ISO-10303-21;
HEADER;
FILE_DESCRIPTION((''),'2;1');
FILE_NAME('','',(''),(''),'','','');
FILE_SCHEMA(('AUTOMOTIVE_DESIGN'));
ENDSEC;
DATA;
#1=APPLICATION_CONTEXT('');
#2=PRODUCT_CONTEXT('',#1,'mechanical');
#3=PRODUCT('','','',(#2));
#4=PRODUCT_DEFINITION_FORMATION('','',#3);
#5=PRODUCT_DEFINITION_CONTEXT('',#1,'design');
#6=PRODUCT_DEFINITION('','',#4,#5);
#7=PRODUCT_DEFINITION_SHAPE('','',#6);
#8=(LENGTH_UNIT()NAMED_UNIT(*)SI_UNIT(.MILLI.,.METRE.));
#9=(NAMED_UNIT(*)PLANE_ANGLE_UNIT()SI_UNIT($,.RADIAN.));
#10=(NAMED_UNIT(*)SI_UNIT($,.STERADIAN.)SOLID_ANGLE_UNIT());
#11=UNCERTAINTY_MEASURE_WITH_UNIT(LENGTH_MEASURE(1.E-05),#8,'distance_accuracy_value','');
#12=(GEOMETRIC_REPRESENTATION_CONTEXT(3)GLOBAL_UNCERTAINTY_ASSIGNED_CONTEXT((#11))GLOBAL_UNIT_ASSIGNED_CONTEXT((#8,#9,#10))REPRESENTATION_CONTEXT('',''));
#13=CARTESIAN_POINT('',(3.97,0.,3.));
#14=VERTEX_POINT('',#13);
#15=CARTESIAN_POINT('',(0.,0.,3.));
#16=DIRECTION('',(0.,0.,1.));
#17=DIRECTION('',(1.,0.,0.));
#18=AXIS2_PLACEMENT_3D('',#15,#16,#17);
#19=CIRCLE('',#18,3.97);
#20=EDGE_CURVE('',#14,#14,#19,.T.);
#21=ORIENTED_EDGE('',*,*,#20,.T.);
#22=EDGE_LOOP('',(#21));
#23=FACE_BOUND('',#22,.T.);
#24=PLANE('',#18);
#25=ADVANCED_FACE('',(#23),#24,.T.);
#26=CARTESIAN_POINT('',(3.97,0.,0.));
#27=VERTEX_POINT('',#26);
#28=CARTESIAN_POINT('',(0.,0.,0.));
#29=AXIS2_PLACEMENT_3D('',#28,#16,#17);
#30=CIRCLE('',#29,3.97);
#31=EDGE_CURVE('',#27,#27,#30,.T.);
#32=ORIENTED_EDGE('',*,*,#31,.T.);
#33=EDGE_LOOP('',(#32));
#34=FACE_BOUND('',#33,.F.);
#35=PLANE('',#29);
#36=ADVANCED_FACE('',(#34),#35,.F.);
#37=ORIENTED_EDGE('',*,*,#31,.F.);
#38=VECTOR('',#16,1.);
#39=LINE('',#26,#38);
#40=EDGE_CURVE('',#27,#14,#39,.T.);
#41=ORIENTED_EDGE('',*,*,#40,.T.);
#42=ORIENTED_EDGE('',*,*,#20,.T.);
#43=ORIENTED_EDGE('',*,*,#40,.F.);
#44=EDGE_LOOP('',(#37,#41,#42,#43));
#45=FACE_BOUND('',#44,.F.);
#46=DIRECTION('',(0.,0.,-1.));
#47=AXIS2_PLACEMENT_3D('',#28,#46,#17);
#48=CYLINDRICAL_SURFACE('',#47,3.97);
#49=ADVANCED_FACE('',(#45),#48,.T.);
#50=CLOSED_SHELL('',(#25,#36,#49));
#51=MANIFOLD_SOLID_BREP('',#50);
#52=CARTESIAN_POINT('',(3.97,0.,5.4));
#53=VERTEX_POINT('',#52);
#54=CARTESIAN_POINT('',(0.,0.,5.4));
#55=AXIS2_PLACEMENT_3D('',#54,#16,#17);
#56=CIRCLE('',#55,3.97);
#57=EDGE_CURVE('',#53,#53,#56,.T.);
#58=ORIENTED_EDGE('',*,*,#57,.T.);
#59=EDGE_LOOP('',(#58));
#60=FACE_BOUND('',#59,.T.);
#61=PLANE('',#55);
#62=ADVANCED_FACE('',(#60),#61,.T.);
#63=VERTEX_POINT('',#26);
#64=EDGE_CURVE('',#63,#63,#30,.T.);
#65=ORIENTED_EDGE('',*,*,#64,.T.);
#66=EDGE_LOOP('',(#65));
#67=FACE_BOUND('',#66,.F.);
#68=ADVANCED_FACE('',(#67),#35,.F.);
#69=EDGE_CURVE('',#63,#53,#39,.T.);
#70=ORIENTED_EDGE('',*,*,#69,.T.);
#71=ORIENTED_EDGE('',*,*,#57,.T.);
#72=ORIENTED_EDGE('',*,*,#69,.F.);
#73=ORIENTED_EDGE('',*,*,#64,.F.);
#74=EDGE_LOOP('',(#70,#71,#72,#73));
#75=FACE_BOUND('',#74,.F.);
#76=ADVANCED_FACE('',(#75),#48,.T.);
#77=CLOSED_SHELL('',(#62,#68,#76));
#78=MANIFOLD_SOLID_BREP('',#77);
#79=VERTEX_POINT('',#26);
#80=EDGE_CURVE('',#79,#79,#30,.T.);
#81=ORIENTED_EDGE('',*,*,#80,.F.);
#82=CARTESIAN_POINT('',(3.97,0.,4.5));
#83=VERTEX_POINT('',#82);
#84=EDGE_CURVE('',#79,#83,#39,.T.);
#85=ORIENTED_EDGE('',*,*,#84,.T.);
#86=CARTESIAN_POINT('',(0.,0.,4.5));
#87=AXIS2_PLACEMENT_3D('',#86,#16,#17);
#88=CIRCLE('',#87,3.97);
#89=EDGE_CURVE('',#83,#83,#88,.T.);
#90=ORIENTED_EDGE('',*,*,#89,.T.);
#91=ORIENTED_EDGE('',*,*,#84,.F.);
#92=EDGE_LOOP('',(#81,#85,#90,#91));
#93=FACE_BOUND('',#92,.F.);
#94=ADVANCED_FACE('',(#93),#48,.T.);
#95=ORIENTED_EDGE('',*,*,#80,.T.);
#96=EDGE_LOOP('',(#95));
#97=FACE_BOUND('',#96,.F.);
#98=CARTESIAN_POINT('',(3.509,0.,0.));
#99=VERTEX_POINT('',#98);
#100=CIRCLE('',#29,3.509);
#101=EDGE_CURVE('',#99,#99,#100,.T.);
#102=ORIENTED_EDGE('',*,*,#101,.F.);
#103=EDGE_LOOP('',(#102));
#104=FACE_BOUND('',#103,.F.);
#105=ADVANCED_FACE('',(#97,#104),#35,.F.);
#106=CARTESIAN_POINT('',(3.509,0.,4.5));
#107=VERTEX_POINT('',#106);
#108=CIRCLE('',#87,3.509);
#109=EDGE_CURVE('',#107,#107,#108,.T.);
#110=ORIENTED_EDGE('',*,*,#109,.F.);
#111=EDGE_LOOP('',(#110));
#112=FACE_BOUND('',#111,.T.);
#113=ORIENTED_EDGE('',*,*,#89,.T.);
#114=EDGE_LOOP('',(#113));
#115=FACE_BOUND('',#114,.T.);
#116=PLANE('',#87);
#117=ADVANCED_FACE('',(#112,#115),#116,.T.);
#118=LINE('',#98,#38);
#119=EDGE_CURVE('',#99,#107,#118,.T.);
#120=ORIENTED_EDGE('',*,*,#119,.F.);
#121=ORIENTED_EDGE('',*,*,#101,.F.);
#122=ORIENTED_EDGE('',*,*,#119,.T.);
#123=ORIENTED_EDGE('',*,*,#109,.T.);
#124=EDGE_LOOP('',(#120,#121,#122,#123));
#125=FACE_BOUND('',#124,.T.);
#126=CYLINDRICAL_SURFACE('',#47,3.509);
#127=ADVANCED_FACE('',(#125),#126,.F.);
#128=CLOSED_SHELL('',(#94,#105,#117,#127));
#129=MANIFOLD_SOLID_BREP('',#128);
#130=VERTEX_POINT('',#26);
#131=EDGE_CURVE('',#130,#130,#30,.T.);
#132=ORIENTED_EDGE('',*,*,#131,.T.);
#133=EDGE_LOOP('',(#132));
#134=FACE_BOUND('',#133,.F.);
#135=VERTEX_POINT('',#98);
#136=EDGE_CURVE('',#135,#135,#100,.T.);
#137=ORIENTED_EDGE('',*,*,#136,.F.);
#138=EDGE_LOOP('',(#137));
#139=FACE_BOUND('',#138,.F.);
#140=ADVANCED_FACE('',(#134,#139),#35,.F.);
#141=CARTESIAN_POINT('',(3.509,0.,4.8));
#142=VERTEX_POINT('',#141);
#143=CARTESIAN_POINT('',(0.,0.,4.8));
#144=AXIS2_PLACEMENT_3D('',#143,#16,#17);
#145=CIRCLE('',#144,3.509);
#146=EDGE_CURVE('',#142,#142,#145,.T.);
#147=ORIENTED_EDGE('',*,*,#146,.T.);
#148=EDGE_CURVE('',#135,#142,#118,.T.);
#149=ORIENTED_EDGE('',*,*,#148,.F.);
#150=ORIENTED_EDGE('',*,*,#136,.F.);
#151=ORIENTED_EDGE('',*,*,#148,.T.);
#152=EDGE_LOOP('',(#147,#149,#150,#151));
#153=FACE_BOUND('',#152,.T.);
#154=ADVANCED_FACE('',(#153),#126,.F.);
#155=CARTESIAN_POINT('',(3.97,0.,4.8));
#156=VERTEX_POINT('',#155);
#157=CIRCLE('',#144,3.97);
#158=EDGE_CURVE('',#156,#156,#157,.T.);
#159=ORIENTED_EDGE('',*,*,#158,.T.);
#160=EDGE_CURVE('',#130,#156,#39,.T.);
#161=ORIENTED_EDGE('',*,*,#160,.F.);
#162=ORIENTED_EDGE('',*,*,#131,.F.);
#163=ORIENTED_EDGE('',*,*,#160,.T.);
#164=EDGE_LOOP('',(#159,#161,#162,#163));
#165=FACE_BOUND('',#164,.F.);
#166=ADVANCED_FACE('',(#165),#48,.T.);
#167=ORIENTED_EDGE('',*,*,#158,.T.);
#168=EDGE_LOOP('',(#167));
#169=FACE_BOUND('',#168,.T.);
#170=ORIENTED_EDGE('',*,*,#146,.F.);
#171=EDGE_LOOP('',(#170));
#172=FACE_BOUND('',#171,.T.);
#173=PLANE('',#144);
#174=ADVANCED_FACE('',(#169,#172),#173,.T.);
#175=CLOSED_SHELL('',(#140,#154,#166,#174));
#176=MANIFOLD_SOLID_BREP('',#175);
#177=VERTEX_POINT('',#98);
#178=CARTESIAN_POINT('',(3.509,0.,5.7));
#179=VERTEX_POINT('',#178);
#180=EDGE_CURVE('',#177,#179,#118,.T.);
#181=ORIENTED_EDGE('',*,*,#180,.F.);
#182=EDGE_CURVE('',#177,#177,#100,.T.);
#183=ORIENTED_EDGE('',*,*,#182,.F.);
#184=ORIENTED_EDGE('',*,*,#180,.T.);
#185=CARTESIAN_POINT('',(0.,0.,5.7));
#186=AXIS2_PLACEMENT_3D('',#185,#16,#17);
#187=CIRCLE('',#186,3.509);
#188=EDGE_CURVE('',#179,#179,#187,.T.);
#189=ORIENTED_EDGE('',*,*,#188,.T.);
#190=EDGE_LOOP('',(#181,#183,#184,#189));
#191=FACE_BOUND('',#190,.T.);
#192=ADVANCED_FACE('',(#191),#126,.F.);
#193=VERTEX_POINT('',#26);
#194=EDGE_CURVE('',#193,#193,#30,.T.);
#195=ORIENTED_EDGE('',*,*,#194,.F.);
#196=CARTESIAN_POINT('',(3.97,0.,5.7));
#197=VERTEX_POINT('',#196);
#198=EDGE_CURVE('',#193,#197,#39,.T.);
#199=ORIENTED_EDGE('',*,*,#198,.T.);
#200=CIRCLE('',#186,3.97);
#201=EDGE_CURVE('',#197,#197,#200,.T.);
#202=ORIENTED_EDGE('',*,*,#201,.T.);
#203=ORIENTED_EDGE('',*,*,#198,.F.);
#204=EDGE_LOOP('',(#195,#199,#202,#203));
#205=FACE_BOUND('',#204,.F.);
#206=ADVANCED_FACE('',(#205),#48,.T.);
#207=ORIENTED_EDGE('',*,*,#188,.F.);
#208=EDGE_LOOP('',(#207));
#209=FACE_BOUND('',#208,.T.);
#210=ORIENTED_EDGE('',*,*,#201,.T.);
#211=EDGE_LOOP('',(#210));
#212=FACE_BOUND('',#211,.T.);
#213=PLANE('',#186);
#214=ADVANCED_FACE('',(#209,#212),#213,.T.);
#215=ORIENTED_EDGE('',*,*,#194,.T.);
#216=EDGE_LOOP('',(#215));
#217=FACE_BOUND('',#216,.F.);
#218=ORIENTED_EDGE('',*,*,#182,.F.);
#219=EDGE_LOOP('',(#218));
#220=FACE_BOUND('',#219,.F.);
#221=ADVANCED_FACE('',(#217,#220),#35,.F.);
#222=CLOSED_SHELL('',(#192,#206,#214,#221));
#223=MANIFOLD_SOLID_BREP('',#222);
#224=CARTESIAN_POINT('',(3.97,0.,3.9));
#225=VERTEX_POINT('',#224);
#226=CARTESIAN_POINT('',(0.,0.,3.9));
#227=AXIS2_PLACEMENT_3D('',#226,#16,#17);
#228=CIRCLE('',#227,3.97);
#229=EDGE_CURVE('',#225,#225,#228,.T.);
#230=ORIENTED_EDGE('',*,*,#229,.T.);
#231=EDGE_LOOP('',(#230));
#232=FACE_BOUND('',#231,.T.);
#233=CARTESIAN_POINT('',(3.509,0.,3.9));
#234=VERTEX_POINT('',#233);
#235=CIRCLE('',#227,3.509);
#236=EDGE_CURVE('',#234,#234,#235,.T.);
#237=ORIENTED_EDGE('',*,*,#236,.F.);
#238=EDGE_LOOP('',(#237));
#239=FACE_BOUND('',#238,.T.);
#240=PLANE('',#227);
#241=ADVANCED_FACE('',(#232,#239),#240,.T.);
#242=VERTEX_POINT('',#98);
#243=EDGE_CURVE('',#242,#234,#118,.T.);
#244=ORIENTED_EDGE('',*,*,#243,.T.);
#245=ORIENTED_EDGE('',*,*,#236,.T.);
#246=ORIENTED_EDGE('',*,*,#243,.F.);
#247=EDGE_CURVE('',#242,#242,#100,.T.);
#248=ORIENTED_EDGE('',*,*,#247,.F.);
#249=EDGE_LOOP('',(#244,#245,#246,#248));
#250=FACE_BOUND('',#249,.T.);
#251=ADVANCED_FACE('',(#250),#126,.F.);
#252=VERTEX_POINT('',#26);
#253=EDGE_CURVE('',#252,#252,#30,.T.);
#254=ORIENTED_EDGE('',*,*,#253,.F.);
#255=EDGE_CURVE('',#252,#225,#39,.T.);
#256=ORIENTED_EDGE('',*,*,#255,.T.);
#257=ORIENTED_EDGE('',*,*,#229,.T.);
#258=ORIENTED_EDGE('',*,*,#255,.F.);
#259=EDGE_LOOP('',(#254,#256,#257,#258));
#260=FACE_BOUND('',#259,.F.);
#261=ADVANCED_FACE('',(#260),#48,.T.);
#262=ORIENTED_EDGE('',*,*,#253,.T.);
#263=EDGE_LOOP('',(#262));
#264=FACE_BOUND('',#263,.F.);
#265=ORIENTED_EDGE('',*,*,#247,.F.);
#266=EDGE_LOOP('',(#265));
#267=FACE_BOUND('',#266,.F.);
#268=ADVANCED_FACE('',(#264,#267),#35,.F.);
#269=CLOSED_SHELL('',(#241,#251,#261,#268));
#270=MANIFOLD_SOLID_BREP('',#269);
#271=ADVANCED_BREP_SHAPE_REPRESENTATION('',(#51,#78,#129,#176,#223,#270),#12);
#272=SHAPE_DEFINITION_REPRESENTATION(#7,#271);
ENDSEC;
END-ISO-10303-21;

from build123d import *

# Parameters (mm, degrees)
F0_R     = 1.3233333333
F0_R_2   = 1.1696666667
F1_DEPTH = 1.5
F2_DEPTH = 1.6
F3_DEPTH = 1.8
F4_DEPTH = 1.9
F5_DEPTH = 1.3
F6_DEPTH = 1
F7_SCALE = 3


with BuildPart() as f1:
    # F0 (on Top) → F1 (new body)
    with BuildSketch(Plane.XY):
        Circle(F0_R)
        Circle(F0_R_2, mode=Mode.SUBTRACT)
    extrude(amount=F1_DEPTH)


with BuildPart() as f2:
    # F0 (on Top) → F2 (new body)
    with BuildSketch(Plane.XY):
        Circle(F0_R)
        Circle(F0_R_2, mode=Mode.SUBTRACT)
    extrude(amount=F2_DEPTH)


with BuildPart() as f3:
    # F0 (on Top) → F3 (new body)
    with BuildSketch(Plane.XY):
        Circle(F0_R)
        Circle(F0_R_2, mode=Mode.SUBTRACT)
        Circle(F0_R_2)
    extrude(amount=F3_DEPTH)


with BuildPart() as f4:
    # F0 (on Top) → F4 (new body)
    with BuildSketch(Plane.XY):
        Circle(F0_R)
        Circle(F0_R_2, mode=Mode.SUBTRACT)
    extrude(amount=F4_DEPTH)


with BuildPart() as f5:
    # F0 (on Top) → F5 (new body)
    with BuildSketch(Plane.XY):
        Circle(F0_R)
        Circle(F0_R_2, mode=Mode.SUBTRACT)
    extrude(amount=F5_DEPTH)


with BuildPart() as f6:
    # F0 (on Top) → F6 (new body)
    with BuildSketch(Plane.XY):
        Circle(F0_R)
        Circle(F0_R_2, mode=Mode.SUBTRACT)
        Circle(F0_R_2)
    extrude(amount=F6_DEPTH)


with BuildPart() as f1_1:
    # F7: moved
    add(f1.part.scale(F7_SCALE))


with BuildPart() as f2_1:
    # F7: moved
    add(f2.part.scale(F7_SCALE))


with BuildPart() as f3_1:
    # F7: moved
    add(f3.part.scale(F7_SCALE))


with BuildPart() as f4_1:
    # F7: moved
    add(f4.part.scale(F7_SCALE))


with BuildPart() as f5_1:
    # F7: moved
    add(f5.part.scale(F7_SCALE))


with BuildPart() as f6_1:
    # F7: moved
    add(f6.part.scale(F7_SCALE))


solid = Compound([f1_1.part, f2_1.part, f3_1.part, f4_1.part, f5_1.part, f6_1.part])
